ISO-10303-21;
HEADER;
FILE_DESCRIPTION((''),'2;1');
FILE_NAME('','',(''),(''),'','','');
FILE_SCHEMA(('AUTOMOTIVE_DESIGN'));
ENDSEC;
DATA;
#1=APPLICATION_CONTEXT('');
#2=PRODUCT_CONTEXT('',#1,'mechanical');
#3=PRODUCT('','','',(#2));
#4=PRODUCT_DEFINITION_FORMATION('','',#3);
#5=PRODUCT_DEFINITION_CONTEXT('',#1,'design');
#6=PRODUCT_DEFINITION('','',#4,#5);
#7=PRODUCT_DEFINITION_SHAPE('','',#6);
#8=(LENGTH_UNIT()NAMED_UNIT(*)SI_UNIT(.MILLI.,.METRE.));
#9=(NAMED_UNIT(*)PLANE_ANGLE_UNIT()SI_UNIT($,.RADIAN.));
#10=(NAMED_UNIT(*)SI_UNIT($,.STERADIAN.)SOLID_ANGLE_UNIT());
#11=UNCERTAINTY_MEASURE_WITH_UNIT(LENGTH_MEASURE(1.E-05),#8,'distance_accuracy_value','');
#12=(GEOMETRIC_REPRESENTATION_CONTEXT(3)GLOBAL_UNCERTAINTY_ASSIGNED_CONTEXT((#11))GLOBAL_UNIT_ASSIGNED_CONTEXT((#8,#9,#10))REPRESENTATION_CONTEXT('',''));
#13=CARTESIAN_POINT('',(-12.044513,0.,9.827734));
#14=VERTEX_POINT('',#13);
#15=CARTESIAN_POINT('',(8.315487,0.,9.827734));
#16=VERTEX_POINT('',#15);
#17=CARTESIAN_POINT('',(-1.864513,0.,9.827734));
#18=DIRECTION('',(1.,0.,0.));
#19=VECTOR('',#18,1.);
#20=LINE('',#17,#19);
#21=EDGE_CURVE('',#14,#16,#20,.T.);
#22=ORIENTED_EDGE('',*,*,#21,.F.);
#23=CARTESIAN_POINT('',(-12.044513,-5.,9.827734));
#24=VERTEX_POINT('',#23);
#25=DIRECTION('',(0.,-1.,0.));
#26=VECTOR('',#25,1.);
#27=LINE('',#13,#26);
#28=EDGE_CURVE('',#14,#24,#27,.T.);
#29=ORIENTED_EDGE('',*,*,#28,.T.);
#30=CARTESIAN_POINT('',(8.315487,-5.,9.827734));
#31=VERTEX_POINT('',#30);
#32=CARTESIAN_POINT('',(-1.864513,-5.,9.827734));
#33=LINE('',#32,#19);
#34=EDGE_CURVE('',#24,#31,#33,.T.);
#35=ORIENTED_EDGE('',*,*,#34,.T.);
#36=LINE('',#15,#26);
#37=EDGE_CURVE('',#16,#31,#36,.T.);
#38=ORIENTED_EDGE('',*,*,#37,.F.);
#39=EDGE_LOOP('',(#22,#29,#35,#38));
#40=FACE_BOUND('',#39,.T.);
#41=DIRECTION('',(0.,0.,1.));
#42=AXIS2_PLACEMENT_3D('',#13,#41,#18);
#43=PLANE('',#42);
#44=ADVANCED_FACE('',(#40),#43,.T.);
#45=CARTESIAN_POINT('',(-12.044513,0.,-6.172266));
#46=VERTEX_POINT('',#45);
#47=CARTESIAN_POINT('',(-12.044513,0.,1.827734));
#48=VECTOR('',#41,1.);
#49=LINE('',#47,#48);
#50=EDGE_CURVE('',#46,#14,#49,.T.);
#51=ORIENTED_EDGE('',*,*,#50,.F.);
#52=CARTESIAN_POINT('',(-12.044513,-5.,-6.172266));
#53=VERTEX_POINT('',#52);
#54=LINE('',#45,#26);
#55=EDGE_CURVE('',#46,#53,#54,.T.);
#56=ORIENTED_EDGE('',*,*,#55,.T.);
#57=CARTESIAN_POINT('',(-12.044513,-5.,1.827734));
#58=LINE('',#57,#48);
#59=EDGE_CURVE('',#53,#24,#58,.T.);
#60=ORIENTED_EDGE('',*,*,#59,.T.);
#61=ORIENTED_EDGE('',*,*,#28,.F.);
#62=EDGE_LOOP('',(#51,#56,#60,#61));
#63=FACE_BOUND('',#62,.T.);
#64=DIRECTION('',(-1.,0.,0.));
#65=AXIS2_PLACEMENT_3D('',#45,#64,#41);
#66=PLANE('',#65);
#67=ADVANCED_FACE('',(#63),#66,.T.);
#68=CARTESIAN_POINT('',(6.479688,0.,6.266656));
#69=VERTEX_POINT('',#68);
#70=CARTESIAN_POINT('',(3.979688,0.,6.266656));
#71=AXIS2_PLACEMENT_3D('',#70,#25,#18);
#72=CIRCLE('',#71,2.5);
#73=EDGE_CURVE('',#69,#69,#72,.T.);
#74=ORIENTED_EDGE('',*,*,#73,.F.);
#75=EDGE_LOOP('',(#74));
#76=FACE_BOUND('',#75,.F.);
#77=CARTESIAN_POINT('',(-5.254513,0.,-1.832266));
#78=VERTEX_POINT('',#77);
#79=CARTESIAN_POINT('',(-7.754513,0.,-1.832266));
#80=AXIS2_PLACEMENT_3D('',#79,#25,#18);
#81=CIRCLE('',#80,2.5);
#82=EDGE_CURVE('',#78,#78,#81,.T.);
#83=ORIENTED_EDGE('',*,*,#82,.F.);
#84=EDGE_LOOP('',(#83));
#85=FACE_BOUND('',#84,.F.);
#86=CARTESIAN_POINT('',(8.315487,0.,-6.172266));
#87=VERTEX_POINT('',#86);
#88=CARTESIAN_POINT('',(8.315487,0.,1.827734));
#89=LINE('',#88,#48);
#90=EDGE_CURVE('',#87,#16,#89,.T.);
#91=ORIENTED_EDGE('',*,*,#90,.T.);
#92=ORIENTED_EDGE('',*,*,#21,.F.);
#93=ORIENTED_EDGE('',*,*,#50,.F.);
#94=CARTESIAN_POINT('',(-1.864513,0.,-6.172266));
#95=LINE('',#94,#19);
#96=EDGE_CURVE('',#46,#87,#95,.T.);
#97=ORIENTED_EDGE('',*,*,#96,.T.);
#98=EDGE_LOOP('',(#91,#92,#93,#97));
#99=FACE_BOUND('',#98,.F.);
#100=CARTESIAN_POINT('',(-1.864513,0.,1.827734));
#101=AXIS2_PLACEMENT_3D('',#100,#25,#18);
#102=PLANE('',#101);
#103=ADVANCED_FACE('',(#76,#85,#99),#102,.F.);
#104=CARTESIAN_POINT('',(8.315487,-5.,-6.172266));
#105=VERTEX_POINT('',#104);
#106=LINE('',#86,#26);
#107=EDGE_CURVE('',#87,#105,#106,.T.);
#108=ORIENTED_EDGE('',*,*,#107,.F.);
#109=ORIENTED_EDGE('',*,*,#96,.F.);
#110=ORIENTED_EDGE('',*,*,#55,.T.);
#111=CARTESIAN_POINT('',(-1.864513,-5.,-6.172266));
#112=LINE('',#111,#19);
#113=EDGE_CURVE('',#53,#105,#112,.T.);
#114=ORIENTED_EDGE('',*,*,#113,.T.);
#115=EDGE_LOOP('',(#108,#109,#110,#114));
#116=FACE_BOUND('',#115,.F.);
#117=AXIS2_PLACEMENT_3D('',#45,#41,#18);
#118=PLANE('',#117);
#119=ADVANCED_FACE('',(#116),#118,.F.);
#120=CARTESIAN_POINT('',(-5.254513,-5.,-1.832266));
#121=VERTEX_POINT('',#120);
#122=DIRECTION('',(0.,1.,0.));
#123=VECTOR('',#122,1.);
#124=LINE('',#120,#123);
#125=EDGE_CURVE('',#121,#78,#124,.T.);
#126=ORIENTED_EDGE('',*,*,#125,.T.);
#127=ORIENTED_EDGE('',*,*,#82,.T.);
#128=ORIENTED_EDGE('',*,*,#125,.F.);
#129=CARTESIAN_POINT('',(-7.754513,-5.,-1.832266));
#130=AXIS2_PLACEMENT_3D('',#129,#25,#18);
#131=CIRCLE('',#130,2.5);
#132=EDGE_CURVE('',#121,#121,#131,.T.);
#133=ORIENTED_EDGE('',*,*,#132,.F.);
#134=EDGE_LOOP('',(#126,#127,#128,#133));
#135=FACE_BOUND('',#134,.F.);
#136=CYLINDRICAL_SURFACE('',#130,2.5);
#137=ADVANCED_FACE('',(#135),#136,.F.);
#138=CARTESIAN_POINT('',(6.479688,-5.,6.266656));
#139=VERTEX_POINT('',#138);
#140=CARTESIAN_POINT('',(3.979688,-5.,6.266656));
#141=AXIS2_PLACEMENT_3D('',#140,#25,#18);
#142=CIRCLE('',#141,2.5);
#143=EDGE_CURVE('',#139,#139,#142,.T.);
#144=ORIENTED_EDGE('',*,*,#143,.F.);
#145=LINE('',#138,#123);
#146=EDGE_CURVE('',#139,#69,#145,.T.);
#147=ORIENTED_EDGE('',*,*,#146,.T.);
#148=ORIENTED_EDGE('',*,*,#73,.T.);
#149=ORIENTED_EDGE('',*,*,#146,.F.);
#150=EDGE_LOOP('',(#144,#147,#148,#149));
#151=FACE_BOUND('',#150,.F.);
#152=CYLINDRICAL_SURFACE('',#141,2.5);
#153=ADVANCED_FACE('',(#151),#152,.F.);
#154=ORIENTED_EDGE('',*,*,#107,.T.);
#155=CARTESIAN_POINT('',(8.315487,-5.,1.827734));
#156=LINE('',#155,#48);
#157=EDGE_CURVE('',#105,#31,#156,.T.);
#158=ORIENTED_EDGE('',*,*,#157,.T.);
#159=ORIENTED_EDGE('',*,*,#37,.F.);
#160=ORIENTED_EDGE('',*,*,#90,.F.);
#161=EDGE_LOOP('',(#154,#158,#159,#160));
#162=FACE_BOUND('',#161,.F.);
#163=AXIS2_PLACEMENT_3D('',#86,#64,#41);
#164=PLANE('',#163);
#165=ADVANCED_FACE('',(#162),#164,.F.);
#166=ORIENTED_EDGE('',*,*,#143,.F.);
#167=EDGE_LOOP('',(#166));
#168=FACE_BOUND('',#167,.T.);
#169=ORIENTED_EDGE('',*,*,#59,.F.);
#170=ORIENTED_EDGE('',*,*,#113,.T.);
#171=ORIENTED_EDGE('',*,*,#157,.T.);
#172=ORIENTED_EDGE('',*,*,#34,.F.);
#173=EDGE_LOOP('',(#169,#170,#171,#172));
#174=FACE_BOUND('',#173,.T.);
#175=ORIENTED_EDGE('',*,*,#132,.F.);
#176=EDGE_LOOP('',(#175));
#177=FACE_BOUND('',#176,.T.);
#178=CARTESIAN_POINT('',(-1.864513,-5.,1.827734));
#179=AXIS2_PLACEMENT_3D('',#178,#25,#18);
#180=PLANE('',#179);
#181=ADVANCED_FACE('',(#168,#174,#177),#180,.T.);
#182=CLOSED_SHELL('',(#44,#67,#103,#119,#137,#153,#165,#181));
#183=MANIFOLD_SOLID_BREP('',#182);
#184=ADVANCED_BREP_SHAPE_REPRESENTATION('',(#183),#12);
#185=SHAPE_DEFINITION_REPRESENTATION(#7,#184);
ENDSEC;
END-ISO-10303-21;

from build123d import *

# Parameters (mm, degrees)
F0_W     = 20.36
F0_H     = 16
F1_DEPTH = 5
F2_R     = 2.5
F3_DEPTH = 5.001
F4_R     = 2.5
F5_DEPTH = 5.001


with BuildPart() as f1:
    # F0 (on Front) → F1 (new body)
    with BuildSketch(Plane.XZ):
        with Locations((-1.864513, 1.827734)):
            Rectangle(F0_W, F0_H)
    extrude(amount=F1_DEPTH)

    # F2 (on face) → F3 (cut, through all)
    with BuildSketch(Plane.XZ.offset(5)):
        with Locations((-7.754513, -1.832266)):
            Circle(F2_R)
    extrude(amount=-F3_DEPTH, mode=Mode.SUBTRACT)

    # F4 (on face) → F5 (cut, through all)
    with BuildSketch(Plane.XZ.offset(5)):
        with Locations((3.979688, 6.266656)):
            Circle(F4_R)
    extrude(amount=-F5_DEPTH, mode=Mode.SUBTRACT)


solid = f1.part
